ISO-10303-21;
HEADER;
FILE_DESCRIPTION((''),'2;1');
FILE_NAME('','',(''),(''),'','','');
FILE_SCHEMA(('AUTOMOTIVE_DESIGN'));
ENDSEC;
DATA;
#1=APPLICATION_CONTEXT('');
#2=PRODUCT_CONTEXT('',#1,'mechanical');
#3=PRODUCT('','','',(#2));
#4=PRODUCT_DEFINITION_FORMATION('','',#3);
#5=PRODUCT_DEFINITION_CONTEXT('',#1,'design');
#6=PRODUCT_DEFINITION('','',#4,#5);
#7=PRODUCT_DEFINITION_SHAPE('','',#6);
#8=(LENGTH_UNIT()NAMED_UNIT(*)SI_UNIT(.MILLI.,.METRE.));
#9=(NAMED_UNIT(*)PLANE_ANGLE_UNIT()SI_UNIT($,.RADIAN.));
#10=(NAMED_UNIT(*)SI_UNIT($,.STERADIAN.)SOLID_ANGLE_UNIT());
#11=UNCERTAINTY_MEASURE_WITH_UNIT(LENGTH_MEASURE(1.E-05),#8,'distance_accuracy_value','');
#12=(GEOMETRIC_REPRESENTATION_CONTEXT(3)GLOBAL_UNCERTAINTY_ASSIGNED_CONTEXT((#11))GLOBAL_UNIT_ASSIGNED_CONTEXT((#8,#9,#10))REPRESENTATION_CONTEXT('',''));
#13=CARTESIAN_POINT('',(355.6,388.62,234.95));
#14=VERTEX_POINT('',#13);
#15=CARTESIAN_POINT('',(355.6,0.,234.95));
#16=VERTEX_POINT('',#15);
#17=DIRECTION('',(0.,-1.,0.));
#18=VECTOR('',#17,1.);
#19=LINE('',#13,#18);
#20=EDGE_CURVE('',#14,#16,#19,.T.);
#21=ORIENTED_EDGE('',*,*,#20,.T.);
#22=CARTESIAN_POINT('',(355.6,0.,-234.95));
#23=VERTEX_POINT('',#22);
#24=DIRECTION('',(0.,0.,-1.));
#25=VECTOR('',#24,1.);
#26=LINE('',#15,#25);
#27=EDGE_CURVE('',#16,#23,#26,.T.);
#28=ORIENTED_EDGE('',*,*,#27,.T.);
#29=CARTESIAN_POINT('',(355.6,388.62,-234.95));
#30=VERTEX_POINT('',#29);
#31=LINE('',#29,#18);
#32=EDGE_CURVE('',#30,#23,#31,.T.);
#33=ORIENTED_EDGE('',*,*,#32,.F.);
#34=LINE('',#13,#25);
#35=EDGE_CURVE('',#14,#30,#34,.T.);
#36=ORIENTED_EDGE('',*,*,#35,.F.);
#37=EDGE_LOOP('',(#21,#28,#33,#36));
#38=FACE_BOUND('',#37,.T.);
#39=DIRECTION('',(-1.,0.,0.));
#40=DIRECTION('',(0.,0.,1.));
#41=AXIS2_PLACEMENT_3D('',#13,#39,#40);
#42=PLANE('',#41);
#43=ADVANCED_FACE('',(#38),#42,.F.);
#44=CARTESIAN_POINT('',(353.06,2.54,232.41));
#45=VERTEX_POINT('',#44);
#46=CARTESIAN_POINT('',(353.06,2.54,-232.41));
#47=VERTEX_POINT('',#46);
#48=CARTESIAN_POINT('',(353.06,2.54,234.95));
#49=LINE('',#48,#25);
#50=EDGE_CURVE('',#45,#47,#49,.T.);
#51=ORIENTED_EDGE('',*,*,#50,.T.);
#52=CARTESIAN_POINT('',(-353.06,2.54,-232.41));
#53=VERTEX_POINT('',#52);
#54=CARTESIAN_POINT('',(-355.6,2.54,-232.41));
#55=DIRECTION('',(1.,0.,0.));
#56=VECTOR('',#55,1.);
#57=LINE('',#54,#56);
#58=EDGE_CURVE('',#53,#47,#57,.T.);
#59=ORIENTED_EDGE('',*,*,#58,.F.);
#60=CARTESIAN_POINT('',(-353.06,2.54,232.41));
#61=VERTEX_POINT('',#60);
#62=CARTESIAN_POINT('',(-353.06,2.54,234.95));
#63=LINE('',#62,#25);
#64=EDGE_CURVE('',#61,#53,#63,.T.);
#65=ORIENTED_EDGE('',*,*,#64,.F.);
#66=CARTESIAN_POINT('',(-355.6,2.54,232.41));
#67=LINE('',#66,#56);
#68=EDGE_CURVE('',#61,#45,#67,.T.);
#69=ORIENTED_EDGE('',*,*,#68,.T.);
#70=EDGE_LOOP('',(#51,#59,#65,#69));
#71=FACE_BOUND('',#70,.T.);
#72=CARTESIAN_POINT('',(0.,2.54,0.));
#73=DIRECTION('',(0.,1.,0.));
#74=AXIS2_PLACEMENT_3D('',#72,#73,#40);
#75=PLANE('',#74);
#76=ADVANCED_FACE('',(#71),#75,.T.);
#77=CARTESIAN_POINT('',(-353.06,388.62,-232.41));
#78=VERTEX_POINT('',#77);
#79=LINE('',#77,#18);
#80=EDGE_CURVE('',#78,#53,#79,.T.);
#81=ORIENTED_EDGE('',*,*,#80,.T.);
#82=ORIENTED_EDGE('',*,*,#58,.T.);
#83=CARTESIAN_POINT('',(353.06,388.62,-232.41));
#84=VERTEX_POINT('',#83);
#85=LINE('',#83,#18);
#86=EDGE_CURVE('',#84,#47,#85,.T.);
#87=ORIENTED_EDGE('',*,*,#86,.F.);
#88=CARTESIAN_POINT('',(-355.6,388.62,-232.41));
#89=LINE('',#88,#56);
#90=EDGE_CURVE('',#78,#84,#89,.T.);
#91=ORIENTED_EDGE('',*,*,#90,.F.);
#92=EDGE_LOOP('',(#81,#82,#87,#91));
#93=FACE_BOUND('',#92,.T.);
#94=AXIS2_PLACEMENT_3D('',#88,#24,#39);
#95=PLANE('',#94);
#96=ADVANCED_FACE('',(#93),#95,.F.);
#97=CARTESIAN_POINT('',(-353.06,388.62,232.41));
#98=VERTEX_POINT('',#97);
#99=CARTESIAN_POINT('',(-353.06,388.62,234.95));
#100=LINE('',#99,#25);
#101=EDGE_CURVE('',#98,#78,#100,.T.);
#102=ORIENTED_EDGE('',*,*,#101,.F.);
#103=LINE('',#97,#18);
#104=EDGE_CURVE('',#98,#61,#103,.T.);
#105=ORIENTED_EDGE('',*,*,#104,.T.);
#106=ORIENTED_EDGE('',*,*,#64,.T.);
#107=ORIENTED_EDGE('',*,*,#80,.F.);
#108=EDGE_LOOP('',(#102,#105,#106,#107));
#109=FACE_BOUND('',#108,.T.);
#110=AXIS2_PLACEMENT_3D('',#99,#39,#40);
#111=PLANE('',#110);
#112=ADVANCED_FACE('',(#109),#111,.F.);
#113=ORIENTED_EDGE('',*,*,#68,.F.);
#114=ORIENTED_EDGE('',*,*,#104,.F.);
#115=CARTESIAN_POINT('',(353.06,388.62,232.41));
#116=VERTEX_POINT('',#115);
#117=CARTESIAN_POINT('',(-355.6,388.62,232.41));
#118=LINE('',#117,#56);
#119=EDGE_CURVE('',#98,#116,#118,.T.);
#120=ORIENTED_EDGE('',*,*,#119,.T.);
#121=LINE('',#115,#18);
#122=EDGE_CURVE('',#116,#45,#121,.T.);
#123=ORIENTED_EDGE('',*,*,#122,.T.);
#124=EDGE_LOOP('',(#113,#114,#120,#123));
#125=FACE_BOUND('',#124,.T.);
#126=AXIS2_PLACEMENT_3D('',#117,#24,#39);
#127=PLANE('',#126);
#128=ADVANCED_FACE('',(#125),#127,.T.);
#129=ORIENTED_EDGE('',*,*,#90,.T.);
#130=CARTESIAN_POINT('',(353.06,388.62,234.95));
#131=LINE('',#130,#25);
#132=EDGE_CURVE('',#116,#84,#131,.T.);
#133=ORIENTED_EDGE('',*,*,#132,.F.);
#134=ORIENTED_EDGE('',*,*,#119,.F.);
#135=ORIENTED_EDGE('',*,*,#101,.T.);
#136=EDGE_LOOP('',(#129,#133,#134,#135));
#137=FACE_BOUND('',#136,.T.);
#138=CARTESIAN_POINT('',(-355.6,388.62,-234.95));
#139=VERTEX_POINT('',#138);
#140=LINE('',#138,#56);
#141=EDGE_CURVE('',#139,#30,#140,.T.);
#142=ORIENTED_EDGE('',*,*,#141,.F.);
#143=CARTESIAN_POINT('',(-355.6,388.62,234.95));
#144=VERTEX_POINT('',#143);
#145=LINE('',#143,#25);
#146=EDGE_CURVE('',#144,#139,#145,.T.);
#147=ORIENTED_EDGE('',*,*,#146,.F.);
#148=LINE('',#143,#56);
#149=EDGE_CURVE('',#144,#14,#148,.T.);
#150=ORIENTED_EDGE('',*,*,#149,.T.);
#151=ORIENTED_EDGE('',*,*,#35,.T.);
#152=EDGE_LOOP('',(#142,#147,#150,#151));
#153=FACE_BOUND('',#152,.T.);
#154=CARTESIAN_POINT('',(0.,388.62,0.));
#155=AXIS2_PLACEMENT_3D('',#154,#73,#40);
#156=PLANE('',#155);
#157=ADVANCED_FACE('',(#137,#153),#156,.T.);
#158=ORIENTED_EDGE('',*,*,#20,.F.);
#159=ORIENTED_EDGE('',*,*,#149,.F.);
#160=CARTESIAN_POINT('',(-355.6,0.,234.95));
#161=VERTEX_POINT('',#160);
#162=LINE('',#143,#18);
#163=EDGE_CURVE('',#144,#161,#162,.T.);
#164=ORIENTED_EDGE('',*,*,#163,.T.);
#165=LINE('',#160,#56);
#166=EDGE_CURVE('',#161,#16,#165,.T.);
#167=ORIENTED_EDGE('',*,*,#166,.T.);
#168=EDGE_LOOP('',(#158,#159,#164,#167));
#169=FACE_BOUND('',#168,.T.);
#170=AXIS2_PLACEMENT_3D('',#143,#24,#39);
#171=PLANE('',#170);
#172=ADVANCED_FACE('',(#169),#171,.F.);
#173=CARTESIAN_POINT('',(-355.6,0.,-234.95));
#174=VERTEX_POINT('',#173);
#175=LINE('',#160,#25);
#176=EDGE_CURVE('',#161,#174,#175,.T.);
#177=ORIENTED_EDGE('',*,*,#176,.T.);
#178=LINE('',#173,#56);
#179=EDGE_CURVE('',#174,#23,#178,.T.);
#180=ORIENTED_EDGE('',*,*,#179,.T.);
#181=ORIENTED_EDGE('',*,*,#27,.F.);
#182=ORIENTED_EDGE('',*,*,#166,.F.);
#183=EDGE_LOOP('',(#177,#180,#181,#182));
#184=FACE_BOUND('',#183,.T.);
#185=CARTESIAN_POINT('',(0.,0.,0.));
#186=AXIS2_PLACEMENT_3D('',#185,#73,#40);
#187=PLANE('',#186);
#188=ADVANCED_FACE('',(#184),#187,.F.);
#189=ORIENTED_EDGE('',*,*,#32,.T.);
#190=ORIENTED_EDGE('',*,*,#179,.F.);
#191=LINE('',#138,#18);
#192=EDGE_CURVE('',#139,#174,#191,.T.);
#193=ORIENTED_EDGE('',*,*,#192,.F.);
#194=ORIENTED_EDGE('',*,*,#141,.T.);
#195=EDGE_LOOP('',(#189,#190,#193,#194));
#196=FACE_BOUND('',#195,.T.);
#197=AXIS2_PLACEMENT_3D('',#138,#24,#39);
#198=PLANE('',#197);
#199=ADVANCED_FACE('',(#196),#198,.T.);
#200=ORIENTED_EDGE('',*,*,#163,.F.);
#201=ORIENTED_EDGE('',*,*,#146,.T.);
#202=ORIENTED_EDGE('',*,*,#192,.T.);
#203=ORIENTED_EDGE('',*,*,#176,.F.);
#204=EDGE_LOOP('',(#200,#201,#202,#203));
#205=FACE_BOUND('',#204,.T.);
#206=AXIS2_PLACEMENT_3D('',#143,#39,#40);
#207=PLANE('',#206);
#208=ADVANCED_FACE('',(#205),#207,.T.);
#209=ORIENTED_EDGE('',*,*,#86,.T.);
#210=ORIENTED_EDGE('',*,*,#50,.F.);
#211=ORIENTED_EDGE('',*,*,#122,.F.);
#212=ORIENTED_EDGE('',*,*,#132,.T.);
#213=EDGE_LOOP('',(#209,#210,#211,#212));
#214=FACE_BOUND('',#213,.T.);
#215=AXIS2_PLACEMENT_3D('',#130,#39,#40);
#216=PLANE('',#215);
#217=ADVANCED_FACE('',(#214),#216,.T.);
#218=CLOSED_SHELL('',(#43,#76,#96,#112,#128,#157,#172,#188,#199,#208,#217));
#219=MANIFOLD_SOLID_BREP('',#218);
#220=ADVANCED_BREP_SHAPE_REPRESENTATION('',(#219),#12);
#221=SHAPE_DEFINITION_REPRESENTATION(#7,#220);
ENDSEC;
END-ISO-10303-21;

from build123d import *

# Parameters (mm, degrees)
SKETCH1_W           = 711.2
SKETCH1_H           = 469.9
BOSS_EXTRUDE1_DEPTH = 388.62
SHELL1_T            = -2.54


with BuildPart() as part:
    # Sketch1 → Boss-Extrude1 (new body)
    with BuildSketch(Plane(origin=(0, 0, 0), x_dir=(1, 0, 0), z_dir=(0, 1, 0))):
        Rectangle(SKETCH1_W, SKETCH1_H)
    extrude(amount=BOSS_EXTRUDE1_DEPTH)

    # Shell1
    shell1_openings = [part.faces().sort_by_distance(p)[0] for p in [
        (0, 388.62, 0),
    ]]
    offset(amount=SHELL1_T, openings=shell1_openings, kind=Kind.INTERSECTION)


solid = part.part
